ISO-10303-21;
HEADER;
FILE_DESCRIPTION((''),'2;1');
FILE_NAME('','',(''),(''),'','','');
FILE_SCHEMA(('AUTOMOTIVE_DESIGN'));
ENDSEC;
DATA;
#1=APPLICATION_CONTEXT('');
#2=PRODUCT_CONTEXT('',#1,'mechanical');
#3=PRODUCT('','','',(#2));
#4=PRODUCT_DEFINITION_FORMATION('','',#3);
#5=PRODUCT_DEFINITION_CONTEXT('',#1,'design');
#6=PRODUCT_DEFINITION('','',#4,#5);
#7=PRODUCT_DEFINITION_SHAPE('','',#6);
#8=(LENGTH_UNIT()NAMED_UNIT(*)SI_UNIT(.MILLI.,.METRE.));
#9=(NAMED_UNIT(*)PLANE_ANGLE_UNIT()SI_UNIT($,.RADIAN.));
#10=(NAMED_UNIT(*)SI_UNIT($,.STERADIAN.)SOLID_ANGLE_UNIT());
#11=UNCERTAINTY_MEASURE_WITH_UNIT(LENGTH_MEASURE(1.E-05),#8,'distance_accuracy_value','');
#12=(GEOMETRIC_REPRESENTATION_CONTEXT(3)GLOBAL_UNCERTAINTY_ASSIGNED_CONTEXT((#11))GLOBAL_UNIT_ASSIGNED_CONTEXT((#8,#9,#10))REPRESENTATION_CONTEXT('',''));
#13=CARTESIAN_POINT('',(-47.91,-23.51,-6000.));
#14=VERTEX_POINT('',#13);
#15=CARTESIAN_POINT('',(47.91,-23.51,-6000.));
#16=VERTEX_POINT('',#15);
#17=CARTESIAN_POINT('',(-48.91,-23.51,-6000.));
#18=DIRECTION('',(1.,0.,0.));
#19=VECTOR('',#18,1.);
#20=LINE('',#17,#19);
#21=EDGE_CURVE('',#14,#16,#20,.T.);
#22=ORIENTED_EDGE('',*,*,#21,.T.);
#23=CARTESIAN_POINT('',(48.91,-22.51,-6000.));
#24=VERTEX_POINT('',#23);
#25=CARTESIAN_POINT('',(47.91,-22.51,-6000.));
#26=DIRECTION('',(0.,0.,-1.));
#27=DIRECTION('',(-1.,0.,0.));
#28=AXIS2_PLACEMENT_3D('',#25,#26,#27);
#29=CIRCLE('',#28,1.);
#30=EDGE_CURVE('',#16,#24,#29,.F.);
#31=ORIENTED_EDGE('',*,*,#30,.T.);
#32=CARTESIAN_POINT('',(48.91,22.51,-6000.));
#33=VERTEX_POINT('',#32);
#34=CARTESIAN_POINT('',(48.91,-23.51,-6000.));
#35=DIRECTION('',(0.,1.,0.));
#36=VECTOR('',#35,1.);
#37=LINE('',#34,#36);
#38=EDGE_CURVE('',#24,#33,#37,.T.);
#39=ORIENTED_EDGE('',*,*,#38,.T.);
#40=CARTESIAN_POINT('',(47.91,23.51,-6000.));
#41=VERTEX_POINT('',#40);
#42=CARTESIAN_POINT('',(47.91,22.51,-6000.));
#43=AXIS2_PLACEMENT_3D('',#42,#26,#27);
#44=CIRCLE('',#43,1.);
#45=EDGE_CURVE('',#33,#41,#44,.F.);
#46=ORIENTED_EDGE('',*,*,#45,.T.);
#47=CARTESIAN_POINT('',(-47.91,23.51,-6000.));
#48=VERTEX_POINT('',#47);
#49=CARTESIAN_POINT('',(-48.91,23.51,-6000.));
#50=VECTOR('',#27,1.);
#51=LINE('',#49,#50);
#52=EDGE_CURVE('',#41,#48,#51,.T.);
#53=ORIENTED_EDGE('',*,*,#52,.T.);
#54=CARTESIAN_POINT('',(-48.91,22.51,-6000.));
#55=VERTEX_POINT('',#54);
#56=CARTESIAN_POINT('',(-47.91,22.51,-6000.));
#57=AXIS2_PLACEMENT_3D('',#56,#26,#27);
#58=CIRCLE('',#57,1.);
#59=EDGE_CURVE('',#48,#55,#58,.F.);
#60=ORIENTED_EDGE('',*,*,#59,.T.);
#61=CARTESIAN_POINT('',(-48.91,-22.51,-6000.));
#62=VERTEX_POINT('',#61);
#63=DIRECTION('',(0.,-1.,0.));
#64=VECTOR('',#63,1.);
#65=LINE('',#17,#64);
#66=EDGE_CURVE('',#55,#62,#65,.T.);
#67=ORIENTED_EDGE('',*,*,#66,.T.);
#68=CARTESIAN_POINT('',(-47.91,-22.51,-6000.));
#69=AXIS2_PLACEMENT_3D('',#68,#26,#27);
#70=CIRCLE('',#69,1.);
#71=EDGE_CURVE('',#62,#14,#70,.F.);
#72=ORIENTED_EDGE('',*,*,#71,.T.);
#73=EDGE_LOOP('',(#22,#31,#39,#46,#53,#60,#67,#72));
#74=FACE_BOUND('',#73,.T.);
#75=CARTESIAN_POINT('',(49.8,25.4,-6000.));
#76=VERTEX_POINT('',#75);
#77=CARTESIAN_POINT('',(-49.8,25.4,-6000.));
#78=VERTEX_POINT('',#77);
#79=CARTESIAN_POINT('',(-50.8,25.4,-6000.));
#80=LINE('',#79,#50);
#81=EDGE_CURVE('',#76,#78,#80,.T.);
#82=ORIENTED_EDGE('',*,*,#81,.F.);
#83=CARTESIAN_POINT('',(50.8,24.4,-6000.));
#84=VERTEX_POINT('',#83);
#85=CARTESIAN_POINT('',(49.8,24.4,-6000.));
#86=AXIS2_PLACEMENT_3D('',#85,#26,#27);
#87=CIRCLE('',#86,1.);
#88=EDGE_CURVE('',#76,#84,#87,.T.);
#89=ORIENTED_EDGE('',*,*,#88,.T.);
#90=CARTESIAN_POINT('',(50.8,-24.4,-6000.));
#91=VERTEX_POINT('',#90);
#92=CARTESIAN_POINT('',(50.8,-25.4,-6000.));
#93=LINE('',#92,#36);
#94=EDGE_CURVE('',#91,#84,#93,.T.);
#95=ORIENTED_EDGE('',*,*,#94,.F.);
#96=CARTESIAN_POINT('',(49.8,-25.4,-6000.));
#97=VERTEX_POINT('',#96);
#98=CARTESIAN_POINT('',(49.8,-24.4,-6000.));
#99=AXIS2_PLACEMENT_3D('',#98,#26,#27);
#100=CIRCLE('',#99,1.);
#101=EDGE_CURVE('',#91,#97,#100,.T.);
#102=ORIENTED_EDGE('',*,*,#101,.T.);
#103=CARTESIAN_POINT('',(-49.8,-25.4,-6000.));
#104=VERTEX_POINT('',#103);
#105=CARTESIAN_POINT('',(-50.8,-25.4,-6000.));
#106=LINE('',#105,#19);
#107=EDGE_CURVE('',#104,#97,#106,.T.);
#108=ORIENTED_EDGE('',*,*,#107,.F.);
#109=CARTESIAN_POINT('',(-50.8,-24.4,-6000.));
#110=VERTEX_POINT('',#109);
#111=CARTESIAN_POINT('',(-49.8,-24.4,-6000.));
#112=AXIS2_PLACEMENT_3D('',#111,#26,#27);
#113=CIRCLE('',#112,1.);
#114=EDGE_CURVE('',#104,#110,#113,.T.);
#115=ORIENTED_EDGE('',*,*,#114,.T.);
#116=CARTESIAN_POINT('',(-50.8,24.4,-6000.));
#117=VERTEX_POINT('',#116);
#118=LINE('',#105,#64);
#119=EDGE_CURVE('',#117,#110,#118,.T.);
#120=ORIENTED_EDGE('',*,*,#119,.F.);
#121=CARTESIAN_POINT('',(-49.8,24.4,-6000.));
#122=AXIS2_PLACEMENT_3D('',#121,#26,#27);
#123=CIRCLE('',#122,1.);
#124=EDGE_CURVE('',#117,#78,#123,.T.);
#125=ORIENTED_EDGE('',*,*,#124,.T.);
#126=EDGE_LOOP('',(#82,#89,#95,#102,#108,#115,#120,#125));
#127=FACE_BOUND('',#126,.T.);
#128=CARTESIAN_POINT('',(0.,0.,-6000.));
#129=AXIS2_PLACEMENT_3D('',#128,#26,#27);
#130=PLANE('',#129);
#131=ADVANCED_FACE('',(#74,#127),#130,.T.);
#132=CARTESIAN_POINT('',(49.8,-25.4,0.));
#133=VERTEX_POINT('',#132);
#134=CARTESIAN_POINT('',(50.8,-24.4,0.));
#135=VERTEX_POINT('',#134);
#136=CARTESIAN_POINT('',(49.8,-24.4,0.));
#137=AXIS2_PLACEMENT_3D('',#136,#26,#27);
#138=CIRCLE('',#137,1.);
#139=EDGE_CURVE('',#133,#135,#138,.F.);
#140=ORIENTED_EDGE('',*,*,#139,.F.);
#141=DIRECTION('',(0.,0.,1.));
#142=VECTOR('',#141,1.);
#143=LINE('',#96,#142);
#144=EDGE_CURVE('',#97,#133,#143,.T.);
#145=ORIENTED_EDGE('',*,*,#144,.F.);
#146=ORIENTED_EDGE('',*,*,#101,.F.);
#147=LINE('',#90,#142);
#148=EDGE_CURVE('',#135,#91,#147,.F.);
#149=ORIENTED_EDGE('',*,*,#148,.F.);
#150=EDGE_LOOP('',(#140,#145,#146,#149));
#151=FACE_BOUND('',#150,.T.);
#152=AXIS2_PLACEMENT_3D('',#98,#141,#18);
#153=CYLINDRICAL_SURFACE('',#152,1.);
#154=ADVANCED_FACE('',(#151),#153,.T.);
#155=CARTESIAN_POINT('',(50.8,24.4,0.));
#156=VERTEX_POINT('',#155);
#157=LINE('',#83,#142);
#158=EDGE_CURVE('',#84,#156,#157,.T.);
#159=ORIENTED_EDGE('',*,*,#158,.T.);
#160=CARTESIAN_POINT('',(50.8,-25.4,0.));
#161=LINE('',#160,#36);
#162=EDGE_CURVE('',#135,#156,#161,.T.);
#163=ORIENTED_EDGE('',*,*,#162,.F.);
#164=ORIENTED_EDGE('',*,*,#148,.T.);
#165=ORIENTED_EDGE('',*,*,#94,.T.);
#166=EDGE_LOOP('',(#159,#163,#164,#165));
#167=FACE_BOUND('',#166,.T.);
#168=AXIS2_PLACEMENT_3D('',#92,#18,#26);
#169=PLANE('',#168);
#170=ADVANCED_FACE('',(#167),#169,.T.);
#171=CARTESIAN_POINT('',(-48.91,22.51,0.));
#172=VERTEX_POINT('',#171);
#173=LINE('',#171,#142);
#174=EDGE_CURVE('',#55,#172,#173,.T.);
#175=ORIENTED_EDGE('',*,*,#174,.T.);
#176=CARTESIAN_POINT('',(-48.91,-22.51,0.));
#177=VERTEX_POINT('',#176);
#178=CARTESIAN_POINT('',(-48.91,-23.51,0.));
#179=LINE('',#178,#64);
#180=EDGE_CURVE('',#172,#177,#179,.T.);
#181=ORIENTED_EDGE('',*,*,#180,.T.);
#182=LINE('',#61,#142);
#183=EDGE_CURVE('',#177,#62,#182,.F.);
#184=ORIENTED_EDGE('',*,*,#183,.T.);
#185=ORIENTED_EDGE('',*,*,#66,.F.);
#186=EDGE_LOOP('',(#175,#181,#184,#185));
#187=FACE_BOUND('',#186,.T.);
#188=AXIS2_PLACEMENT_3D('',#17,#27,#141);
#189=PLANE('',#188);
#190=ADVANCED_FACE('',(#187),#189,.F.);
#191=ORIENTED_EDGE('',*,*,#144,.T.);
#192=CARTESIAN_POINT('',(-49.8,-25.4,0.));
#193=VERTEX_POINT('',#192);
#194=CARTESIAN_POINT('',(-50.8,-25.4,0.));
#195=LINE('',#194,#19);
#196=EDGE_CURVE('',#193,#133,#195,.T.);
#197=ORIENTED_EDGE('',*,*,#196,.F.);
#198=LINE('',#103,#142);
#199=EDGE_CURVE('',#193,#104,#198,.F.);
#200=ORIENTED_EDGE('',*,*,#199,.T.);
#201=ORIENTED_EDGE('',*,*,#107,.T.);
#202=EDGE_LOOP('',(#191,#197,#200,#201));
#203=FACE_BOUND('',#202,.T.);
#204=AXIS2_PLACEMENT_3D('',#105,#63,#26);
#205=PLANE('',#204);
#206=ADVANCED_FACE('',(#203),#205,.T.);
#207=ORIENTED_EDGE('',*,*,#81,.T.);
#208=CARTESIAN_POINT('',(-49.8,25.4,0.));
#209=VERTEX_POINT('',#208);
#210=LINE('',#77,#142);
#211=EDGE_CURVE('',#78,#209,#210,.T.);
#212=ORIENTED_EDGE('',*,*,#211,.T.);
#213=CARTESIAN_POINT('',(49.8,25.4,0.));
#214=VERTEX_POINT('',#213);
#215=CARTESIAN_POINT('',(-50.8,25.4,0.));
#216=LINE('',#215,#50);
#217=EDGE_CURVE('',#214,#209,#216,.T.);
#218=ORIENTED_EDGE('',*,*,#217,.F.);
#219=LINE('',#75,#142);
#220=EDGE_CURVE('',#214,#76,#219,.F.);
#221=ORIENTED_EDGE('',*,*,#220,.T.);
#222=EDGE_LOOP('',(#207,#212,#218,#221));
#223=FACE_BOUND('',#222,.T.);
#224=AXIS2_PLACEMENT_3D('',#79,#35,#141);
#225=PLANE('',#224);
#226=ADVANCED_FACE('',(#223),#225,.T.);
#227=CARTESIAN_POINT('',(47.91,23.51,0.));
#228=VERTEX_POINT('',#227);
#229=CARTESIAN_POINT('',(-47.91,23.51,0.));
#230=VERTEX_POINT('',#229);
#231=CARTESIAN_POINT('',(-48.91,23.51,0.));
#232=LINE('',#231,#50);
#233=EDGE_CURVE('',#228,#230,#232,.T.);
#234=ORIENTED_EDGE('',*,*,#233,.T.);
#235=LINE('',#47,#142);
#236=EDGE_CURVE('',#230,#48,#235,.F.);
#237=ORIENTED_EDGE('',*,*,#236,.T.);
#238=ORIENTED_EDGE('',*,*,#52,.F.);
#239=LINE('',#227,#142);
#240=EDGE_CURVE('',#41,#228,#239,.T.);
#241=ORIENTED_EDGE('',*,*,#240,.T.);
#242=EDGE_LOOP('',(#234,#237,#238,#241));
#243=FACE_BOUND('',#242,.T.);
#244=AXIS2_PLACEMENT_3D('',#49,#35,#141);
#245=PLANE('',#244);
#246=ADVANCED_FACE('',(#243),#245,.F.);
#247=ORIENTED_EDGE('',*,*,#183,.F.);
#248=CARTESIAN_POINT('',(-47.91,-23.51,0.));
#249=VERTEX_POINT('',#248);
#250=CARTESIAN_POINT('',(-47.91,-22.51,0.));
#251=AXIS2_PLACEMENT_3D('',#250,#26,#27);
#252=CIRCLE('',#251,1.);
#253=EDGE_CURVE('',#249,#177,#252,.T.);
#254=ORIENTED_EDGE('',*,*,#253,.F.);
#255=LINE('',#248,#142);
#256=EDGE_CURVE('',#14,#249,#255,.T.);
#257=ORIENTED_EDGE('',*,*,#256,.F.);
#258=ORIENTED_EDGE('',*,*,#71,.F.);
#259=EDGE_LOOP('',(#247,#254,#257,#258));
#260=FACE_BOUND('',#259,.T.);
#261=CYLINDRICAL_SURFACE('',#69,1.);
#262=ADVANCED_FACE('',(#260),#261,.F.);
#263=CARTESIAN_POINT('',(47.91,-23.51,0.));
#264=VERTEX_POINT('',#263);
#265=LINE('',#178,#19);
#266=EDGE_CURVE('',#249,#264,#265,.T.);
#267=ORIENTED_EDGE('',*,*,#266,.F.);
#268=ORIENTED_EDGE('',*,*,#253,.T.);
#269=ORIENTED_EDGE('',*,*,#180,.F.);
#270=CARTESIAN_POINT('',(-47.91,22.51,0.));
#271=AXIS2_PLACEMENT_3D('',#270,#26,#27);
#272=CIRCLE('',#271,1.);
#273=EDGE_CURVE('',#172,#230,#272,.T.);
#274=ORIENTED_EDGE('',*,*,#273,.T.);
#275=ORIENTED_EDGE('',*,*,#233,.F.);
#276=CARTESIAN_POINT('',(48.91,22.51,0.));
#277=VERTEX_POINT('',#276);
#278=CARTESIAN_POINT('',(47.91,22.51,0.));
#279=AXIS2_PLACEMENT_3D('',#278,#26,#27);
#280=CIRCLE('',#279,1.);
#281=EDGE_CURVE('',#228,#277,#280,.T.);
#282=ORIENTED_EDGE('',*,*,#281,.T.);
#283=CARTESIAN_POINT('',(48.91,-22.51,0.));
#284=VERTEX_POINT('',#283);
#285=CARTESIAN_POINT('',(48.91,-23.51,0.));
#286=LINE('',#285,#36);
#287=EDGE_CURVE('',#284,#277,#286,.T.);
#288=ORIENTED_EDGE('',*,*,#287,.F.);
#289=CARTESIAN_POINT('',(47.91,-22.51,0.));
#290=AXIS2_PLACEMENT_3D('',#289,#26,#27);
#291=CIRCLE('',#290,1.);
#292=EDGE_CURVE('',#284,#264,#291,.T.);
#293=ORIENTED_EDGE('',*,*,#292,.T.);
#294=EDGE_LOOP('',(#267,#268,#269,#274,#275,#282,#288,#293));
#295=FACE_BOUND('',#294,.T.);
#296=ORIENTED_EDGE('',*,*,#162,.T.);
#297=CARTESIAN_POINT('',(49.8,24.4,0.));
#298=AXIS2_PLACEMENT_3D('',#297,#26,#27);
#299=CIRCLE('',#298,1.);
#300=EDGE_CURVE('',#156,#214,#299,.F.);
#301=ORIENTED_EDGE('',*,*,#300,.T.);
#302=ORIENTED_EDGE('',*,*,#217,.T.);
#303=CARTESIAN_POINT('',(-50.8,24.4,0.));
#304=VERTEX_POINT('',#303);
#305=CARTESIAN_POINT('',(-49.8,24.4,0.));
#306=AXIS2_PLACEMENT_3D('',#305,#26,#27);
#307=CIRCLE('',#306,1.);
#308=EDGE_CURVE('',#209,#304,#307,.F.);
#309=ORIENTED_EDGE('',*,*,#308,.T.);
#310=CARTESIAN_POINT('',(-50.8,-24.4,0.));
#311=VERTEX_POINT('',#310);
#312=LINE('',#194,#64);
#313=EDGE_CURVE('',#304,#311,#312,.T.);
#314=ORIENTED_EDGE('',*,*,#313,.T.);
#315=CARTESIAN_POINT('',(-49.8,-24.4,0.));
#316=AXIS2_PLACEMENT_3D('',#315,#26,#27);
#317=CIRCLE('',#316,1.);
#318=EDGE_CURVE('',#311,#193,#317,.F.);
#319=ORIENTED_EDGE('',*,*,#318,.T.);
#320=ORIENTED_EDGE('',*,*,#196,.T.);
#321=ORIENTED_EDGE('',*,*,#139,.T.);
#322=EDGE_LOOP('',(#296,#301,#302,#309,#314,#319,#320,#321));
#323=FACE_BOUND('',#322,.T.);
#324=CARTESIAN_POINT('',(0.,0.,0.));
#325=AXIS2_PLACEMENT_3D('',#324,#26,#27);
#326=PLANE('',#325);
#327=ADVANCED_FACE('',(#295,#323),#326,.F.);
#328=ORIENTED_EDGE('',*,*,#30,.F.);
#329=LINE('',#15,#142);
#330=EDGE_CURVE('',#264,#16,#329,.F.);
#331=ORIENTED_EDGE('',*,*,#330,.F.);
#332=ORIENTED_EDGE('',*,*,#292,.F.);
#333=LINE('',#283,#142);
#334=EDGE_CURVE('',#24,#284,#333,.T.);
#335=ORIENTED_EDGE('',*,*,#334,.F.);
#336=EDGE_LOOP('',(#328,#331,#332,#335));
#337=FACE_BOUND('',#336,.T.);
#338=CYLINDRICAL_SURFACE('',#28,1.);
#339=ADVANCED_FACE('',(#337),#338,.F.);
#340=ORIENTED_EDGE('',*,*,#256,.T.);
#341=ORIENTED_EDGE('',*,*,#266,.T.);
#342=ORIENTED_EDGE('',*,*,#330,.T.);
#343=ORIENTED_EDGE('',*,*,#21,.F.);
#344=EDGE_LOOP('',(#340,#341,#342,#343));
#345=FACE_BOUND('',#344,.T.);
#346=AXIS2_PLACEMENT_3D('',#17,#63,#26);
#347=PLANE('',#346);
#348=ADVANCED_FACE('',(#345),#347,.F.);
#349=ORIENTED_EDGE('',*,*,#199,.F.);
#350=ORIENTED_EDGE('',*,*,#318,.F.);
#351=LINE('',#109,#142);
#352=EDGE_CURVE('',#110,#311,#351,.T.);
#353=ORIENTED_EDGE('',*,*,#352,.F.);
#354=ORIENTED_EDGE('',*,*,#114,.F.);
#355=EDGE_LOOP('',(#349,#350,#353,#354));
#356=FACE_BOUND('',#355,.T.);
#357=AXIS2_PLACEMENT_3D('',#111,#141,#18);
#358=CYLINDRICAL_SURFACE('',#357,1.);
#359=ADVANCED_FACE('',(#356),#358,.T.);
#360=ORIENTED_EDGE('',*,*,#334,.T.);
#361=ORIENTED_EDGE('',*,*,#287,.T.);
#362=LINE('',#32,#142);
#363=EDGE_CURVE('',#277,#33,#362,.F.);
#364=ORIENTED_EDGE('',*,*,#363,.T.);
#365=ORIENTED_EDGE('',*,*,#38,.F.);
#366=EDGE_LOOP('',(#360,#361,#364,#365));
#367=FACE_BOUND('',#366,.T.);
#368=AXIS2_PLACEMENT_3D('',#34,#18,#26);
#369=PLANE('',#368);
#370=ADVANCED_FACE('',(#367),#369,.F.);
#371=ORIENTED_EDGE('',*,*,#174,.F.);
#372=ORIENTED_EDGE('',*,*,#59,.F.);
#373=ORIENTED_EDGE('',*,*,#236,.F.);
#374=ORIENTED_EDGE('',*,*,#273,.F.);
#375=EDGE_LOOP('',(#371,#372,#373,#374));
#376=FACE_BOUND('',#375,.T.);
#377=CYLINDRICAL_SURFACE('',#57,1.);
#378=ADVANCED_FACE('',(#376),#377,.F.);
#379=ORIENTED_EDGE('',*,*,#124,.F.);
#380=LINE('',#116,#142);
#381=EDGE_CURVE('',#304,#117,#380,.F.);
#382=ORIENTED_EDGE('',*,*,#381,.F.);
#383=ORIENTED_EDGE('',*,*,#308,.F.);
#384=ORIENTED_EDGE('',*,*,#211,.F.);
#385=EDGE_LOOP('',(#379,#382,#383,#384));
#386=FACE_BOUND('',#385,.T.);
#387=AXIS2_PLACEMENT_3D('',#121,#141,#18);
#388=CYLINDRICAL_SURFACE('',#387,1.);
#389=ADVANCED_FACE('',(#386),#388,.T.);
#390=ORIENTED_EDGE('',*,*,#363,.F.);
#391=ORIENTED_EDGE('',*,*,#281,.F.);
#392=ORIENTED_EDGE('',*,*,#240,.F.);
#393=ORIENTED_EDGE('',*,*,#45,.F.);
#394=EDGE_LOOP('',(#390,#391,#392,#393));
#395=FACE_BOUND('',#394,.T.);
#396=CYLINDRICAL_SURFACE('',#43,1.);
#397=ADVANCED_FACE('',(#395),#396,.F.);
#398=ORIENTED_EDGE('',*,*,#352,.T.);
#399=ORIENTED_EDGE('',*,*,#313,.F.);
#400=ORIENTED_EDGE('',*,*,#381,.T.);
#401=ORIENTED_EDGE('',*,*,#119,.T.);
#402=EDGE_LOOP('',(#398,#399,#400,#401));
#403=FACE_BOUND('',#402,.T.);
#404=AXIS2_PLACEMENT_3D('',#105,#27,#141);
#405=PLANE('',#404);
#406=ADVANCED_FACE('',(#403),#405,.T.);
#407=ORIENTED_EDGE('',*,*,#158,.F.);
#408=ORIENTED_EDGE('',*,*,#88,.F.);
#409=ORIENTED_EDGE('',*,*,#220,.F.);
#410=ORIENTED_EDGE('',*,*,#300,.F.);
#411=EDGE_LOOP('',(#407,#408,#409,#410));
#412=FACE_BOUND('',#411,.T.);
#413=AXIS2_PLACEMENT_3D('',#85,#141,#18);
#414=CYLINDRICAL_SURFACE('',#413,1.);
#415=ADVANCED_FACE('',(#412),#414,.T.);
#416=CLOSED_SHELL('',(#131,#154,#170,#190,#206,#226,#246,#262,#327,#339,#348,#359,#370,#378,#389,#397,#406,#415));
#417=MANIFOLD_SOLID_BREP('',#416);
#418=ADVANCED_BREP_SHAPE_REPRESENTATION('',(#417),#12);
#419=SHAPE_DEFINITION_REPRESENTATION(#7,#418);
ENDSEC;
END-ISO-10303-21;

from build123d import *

# Parameters (mm, degrees)
CROQUIS1_W              = 101.6
CROQUIS1_H              = 50.8
CROQUIS1_W_2            = 97.82
CROQUIS1_H_2            = 47.02
SALIENTE_EXTRUIR1_DEPTH = 6000
REDONDEO1_R             = 1


with BuildPart() as part:
    # Croquis1 → Saliente-Extruir1 (new body)
    with BuildSketch(Plane.XY):
        Rectangle(CROQUIS1_W, CROQUIS1_H)
        Rectangle(CROQUIS1_W_2, CROQUIS1_H_2, mode=Mode.SUBTRACT)
    extrude(amount=-SALIENTE_EXTRUIR1_DEPTH)

    # Redondeo1
    redondeo1_edges = [part.edges().sort_by_distance(p)[0] for p in [
        (48.91, -23.51, -3000),
        (-48.91, -23.51, -3000),
        (-48.91, 23.51, -3000),
        (48.91, 23.51, -3000),
        (50.8, -25.4, -3000),
        (-50.8, -25.4, -3000),
        (-50.8, 25.4, -3000),
        (50.8, 25.4, -3000),
    ]]
    fillet(redondeo1_edges, radius=REDONDEO1_R)


solid = part.part
